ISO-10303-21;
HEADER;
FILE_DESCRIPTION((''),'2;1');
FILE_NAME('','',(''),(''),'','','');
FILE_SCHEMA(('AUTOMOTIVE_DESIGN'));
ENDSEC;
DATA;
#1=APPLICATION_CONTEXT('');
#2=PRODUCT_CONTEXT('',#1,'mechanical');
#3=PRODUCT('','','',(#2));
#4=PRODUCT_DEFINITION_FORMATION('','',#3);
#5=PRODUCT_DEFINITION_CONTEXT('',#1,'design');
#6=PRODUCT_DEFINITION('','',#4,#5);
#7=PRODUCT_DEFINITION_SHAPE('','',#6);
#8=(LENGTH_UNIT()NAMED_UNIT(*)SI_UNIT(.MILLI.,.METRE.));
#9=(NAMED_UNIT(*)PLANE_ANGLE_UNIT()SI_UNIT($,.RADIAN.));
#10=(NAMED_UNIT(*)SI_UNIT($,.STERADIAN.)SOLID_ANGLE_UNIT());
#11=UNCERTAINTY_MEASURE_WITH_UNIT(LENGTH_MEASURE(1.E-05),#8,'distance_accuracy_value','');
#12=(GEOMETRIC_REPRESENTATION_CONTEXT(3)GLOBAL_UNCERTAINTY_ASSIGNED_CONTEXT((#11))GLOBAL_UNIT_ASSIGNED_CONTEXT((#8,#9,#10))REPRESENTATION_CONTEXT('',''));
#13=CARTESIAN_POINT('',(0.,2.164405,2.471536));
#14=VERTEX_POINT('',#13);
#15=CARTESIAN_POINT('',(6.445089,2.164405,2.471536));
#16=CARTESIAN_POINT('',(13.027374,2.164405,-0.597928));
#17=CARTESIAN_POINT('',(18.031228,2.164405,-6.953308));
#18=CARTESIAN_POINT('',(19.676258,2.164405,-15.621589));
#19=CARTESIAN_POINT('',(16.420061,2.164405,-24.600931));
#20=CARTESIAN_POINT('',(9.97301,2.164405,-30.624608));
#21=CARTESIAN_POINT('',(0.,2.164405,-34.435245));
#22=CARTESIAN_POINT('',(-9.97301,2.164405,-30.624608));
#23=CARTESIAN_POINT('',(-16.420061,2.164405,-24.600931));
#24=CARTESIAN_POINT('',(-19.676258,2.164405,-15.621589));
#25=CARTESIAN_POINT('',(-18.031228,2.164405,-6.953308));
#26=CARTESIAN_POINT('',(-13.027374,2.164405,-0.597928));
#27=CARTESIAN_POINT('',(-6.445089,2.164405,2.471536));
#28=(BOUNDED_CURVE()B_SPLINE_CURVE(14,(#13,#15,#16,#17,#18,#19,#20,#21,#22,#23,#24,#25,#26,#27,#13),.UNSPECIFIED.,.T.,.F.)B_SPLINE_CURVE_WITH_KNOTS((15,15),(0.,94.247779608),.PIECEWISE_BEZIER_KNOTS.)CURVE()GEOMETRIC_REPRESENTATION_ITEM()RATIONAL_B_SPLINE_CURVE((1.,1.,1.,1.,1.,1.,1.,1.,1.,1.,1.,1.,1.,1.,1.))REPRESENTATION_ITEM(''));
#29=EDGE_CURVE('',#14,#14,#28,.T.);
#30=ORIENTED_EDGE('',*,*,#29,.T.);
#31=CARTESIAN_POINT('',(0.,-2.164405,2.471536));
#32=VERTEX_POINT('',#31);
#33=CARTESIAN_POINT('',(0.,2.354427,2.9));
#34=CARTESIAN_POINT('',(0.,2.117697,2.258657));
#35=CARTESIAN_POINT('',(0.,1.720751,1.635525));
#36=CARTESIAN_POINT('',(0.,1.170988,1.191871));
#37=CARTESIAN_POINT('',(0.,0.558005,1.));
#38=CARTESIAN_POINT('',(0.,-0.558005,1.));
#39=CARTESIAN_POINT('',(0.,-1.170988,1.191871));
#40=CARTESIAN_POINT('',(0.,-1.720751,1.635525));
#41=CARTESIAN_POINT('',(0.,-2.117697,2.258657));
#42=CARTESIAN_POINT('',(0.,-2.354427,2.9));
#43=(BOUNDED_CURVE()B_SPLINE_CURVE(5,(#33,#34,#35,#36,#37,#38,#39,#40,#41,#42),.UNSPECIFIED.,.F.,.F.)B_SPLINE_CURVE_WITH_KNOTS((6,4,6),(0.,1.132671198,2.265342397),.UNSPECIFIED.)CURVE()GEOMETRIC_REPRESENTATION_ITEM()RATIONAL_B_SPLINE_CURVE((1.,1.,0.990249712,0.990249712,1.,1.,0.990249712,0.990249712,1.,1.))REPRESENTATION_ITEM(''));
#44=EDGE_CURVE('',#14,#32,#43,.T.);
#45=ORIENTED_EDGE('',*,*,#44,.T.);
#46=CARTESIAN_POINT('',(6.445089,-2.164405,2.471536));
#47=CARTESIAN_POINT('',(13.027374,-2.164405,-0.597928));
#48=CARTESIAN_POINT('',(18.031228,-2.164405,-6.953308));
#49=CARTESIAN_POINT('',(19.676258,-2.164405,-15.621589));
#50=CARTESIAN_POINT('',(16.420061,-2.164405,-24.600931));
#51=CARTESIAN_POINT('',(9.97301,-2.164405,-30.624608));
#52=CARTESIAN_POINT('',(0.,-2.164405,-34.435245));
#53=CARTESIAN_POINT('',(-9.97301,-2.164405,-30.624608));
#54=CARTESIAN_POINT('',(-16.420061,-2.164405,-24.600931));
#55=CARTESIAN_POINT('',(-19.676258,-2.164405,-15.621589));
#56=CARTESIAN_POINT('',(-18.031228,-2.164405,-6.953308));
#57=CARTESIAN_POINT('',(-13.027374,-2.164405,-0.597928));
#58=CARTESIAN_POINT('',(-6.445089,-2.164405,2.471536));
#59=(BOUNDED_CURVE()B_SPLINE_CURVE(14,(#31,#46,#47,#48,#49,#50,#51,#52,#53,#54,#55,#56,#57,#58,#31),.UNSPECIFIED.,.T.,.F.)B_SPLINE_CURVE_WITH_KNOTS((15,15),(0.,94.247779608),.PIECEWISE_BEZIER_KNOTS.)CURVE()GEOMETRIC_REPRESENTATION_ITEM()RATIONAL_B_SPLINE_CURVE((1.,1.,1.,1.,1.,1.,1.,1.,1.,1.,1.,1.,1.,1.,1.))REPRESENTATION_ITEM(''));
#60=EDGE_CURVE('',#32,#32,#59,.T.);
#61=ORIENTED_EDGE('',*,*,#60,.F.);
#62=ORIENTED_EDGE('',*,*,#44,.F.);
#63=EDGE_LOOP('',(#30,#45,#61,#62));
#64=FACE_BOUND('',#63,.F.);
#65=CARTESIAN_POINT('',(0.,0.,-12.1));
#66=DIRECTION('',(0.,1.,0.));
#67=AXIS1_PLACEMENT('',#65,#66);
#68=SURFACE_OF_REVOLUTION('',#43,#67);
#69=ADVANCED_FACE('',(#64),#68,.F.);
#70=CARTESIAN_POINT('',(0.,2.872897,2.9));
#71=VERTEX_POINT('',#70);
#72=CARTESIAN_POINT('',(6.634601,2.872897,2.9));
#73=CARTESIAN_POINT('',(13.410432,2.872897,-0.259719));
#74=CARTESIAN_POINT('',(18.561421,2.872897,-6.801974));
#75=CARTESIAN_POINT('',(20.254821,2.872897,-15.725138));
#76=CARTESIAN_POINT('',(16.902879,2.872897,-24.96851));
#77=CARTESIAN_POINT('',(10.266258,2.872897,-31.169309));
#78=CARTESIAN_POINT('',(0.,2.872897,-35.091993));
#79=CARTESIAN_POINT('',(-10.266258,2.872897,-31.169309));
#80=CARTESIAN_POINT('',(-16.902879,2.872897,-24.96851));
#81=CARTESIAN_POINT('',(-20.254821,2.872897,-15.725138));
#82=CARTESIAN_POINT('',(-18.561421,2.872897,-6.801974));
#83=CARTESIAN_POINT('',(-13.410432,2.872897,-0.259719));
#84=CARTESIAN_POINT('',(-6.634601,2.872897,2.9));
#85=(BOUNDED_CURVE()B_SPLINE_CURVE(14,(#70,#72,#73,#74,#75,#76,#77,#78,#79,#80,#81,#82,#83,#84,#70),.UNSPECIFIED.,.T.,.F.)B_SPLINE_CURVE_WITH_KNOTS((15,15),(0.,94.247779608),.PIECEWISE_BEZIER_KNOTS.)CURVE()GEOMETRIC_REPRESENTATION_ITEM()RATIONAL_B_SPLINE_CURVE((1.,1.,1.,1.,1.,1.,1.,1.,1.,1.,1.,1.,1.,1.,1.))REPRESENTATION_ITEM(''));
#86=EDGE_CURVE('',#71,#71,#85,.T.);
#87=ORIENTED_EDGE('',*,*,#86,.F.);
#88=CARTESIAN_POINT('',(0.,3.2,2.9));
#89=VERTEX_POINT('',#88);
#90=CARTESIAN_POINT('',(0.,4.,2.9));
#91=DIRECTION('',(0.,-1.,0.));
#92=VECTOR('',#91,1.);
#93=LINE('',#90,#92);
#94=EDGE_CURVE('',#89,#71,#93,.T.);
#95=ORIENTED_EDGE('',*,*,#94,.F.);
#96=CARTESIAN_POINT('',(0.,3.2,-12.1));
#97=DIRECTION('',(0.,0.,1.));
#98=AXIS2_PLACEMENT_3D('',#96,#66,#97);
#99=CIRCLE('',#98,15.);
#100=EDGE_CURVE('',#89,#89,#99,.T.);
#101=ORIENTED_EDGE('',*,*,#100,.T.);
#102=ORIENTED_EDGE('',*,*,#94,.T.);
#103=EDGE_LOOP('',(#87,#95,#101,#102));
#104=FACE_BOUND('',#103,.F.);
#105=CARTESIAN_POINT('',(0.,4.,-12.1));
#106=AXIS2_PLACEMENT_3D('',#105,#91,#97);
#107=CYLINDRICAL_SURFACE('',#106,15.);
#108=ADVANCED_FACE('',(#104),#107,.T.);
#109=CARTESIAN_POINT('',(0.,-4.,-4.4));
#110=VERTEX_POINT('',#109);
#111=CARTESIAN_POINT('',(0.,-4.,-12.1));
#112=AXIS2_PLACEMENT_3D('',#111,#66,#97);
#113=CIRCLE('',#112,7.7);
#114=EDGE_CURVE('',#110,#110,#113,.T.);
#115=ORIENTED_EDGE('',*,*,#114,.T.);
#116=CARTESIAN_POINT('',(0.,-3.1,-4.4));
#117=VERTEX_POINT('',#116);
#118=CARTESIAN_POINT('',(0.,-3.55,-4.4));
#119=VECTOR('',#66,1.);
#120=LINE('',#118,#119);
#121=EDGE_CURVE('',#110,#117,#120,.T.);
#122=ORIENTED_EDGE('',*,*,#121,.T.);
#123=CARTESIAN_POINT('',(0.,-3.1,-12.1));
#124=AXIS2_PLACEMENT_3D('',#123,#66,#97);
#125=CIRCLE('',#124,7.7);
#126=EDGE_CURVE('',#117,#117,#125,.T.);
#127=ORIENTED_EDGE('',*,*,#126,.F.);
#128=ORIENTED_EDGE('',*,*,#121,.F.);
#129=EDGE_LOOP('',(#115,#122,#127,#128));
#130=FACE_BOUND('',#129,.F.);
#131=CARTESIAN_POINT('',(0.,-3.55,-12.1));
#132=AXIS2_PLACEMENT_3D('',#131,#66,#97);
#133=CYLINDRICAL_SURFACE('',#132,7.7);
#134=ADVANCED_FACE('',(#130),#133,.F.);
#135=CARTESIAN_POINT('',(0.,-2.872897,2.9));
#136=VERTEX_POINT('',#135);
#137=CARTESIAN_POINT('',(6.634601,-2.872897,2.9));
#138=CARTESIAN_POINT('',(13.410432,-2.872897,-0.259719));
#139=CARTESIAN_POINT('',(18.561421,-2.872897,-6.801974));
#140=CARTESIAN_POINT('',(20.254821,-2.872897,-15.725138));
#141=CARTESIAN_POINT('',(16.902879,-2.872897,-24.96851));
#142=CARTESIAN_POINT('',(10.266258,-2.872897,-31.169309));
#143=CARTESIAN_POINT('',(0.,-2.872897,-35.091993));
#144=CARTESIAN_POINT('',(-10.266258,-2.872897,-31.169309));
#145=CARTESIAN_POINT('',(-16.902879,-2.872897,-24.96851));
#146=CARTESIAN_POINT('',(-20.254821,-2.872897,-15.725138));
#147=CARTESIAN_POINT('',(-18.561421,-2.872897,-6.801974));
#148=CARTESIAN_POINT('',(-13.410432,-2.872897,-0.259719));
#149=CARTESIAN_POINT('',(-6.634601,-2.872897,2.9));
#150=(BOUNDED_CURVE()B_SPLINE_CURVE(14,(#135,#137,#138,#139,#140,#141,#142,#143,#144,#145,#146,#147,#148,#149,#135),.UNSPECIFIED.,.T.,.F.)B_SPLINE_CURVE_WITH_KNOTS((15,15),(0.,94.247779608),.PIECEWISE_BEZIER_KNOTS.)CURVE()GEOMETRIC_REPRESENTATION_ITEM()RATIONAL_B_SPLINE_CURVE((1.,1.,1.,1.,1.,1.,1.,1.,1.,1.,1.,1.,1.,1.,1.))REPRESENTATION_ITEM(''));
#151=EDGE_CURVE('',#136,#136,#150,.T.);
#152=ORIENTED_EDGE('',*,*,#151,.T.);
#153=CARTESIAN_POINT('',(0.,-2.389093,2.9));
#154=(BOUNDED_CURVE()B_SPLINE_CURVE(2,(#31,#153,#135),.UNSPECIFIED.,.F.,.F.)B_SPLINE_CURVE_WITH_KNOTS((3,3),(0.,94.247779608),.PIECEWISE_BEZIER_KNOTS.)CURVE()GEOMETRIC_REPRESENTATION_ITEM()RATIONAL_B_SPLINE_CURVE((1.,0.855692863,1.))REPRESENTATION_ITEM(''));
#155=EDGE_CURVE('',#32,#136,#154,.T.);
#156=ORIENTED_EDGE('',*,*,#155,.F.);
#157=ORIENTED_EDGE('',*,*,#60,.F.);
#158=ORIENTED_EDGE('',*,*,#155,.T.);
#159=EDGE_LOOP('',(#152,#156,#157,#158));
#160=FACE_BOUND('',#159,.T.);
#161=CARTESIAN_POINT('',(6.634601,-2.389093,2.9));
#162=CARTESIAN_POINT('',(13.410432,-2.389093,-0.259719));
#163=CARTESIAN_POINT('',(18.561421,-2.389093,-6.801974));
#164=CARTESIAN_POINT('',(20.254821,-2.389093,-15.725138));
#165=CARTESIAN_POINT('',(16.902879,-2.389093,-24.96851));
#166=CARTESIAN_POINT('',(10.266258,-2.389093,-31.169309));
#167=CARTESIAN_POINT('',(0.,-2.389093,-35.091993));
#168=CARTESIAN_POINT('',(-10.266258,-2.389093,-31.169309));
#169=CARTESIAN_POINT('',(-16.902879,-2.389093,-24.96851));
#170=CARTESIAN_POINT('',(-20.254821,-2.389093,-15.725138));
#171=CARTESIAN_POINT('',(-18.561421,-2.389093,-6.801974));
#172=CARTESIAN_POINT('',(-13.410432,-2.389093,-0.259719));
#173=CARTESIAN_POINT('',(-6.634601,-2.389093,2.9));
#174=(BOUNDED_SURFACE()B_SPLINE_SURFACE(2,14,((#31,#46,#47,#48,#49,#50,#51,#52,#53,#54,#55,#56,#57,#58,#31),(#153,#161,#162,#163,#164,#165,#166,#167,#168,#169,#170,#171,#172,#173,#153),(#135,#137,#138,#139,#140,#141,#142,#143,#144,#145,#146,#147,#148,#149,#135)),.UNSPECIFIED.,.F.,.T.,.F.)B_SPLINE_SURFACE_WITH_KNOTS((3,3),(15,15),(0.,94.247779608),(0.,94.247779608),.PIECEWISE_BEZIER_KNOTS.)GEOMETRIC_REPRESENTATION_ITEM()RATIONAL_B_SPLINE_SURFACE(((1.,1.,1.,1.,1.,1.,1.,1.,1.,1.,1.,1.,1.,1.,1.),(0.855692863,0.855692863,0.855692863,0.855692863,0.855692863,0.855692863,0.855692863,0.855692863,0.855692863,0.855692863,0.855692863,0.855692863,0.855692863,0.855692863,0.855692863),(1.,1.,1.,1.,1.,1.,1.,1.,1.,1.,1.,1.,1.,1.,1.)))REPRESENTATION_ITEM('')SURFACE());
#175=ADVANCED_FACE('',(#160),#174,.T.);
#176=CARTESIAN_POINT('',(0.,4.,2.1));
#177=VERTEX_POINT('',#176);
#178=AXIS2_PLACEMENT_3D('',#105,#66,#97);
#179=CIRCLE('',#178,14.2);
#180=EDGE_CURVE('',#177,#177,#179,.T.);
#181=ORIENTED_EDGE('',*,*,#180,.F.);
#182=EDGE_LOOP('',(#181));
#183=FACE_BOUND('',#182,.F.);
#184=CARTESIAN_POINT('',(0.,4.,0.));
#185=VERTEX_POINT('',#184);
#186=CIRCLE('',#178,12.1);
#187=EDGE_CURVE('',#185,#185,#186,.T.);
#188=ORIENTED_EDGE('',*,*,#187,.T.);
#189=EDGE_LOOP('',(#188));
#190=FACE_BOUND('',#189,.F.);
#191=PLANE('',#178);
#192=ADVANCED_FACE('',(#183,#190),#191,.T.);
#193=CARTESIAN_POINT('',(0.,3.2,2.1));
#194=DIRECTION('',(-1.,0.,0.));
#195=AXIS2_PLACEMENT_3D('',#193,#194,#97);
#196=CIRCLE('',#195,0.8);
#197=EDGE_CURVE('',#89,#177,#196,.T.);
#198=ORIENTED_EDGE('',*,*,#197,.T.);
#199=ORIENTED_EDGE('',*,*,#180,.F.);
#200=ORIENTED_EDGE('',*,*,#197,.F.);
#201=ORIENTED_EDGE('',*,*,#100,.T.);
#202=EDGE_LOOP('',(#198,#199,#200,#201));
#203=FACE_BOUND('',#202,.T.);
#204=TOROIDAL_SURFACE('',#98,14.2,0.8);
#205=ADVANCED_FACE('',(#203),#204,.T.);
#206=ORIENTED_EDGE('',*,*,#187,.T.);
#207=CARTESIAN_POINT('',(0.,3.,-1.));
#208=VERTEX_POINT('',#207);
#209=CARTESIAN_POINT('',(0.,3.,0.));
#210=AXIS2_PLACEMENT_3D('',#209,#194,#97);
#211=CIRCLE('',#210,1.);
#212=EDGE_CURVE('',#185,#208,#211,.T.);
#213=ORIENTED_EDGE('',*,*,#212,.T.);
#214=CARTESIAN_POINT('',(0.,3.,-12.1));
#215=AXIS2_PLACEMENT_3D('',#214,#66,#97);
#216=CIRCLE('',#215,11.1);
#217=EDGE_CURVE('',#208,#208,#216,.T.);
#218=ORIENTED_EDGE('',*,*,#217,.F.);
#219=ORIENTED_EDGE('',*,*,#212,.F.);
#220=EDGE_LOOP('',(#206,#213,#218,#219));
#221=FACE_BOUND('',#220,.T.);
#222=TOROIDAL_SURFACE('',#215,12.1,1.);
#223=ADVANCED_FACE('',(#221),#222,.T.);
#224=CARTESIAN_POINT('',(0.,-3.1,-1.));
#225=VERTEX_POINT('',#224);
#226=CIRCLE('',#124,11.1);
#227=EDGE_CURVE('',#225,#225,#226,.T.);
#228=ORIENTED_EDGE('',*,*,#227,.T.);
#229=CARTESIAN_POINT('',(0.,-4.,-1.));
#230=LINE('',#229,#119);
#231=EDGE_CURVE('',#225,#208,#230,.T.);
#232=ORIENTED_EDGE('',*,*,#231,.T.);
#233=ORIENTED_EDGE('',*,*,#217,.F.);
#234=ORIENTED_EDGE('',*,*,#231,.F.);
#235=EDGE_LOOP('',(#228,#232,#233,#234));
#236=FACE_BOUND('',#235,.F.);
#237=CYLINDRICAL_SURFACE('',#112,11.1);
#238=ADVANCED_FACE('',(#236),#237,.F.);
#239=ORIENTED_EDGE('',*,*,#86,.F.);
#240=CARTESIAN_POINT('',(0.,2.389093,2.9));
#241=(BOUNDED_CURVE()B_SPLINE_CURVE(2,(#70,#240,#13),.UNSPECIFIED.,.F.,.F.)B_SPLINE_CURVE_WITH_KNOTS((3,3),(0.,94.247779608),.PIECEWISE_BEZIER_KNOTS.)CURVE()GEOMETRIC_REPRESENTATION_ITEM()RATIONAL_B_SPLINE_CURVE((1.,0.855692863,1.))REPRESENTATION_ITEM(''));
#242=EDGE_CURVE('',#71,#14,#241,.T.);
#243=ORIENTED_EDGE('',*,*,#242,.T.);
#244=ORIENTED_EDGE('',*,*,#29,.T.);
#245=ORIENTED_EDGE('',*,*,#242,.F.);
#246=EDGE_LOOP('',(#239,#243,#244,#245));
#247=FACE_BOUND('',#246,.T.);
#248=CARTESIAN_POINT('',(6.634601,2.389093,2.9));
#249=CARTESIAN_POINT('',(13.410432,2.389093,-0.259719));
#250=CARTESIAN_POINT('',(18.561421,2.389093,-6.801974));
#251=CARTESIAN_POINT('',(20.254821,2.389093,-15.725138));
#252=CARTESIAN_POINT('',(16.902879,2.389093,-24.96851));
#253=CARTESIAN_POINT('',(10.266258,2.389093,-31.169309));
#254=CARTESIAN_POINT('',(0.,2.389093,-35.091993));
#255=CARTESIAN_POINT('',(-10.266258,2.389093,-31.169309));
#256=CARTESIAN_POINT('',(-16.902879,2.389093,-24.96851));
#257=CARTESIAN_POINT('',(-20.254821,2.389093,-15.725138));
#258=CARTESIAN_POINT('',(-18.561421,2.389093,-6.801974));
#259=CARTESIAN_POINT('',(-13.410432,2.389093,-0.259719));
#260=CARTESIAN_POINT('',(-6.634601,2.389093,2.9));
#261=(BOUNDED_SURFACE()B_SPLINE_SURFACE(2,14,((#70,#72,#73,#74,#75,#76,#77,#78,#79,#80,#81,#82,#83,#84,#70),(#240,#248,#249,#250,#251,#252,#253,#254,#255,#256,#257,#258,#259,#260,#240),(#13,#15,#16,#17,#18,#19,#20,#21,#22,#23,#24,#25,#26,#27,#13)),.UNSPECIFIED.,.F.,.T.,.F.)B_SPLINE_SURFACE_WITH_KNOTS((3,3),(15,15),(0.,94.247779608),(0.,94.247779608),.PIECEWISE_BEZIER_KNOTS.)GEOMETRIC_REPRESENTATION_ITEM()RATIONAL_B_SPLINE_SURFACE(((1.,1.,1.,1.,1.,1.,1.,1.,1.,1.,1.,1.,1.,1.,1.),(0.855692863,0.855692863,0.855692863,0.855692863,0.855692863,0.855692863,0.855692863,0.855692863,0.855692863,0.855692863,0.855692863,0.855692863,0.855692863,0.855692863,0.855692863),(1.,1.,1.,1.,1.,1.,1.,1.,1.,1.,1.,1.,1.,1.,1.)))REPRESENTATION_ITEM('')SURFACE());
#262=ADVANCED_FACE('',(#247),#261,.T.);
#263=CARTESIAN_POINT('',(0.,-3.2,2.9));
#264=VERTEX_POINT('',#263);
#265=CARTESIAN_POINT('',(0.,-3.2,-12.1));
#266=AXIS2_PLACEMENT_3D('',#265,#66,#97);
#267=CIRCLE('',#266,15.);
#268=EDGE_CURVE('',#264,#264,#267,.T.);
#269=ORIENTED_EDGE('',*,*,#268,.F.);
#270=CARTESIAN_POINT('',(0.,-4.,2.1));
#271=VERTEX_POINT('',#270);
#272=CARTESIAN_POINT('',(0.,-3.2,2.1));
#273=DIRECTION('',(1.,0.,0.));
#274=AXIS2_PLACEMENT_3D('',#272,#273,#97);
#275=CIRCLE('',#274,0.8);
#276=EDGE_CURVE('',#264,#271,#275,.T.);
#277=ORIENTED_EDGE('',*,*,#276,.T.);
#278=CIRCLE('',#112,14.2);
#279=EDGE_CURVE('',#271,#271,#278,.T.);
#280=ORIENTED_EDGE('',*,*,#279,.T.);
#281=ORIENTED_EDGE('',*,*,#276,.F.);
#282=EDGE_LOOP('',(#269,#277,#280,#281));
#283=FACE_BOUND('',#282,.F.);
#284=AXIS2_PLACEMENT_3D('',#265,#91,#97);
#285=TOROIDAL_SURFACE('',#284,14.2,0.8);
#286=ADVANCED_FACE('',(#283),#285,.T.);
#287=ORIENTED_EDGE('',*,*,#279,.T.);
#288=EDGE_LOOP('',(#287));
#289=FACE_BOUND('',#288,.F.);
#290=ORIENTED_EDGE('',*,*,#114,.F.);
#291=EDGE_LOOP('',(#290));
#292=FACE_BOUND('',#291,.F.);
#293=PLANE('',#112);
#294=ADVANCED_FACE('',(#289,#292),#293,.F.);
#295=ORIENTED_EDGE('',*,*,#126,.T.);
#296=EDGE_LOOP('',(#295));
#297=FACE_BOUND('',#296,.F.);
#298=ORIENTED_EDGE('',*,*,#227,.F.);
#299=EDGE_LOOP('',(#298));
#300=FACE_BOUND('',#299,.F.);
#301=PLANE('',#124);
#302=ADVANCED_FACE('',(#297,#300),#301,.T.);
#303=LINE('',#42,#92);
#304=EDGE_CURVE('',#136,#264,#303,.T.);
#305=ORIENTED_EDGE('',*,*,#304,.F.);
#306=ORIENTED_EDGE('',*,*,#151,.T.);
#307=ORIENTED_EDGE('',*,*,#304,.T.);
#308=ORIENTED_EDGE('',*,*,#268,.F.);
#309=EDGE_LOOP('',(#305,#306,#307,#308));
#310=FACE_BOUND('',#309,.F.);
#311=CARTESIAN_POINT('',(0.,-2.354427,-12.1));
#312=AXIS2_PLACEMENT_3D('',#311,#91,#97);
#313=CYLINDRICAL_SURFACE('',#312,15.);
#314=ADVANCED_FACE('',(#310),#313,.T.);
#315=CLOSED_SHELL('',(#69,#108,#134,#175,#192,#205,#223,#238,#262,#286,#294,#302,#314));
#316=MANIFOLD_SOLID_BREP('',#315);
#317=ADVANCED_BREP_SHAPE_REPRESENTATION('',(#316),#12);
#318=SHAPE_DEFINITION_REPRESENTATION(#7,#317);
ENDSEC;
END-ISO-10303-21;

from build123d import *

# Parameters (mm, degrees)
F0_W = 0.9
F0_H = 3.4
F2_R = 0.8
F3_R = 1


with BuildPart() as f1:
    # F0 (on Right) → F1 (revolve)
    with BuildSketch(Plane.YZ):
        with BuildLine():
            Line((0, 1), (4, 1))
            Line((4, 1), (4, 2.9))
            Line((4, 2.9), (2.3544265014, 2.9))
            add(Edge.make_bspline(
                [(0, 1), (1.6531079691, 1), (2.3544265014, 2.9)],
                knots=[0, 0, 0, 1.1326711984, 1.1326711984, 1.1326711984], degree=2, weights=[1, 0.8438727464, 1]))
        make_face()
        Polygon((-3.1, -1), (4, -1), (4, 1), (0, 1), (-4, 1), (-4, -1), align=None)
        with BuildLine():
            Line((-4, 1), (0, 1))
            add(Edge.make_bspline(
                [(-2.3544265014, 2.9), (-1.6531079691, 1), (0, 1)],
                knots=[5.1505141088, 5.1505141088, 5.1505141088, 6.2831853072, 6.2831853072, 6.2831853072], degree=2, weights=[1, 0.8438727464, 1]))
            Line((-2.3544265014, 2.9), (-4, 2.9))
            Line((-4, 2.9), (-4, 1))
        make_face()
        with Locations((-3.55, -2.7)):
            Rectangle(F0_W, F0_H)
    revolve(axis=Axis((0, 0, -12.1), (0, 1, 0)))

    # F2
    f2_edges = [f1.edges().sort_by_distance(p)[0] for p in [
        (0, 4, -27.1),
        (0, -4, -27.1),
        (0, 2.354427, -27.1),
        (0, 0, 1),
        (0, -2.354427, -27.1),
    ]]
    fillet(f2_edges, radius=F2_R)

    # F3
    f3_edges = [f1.edges().sort_by_distance(p)[0] for p in [
        (0, 4, -23.2),
    ]]
    fillet(f3_edges, radius=F3_R)


solid = f1.part
